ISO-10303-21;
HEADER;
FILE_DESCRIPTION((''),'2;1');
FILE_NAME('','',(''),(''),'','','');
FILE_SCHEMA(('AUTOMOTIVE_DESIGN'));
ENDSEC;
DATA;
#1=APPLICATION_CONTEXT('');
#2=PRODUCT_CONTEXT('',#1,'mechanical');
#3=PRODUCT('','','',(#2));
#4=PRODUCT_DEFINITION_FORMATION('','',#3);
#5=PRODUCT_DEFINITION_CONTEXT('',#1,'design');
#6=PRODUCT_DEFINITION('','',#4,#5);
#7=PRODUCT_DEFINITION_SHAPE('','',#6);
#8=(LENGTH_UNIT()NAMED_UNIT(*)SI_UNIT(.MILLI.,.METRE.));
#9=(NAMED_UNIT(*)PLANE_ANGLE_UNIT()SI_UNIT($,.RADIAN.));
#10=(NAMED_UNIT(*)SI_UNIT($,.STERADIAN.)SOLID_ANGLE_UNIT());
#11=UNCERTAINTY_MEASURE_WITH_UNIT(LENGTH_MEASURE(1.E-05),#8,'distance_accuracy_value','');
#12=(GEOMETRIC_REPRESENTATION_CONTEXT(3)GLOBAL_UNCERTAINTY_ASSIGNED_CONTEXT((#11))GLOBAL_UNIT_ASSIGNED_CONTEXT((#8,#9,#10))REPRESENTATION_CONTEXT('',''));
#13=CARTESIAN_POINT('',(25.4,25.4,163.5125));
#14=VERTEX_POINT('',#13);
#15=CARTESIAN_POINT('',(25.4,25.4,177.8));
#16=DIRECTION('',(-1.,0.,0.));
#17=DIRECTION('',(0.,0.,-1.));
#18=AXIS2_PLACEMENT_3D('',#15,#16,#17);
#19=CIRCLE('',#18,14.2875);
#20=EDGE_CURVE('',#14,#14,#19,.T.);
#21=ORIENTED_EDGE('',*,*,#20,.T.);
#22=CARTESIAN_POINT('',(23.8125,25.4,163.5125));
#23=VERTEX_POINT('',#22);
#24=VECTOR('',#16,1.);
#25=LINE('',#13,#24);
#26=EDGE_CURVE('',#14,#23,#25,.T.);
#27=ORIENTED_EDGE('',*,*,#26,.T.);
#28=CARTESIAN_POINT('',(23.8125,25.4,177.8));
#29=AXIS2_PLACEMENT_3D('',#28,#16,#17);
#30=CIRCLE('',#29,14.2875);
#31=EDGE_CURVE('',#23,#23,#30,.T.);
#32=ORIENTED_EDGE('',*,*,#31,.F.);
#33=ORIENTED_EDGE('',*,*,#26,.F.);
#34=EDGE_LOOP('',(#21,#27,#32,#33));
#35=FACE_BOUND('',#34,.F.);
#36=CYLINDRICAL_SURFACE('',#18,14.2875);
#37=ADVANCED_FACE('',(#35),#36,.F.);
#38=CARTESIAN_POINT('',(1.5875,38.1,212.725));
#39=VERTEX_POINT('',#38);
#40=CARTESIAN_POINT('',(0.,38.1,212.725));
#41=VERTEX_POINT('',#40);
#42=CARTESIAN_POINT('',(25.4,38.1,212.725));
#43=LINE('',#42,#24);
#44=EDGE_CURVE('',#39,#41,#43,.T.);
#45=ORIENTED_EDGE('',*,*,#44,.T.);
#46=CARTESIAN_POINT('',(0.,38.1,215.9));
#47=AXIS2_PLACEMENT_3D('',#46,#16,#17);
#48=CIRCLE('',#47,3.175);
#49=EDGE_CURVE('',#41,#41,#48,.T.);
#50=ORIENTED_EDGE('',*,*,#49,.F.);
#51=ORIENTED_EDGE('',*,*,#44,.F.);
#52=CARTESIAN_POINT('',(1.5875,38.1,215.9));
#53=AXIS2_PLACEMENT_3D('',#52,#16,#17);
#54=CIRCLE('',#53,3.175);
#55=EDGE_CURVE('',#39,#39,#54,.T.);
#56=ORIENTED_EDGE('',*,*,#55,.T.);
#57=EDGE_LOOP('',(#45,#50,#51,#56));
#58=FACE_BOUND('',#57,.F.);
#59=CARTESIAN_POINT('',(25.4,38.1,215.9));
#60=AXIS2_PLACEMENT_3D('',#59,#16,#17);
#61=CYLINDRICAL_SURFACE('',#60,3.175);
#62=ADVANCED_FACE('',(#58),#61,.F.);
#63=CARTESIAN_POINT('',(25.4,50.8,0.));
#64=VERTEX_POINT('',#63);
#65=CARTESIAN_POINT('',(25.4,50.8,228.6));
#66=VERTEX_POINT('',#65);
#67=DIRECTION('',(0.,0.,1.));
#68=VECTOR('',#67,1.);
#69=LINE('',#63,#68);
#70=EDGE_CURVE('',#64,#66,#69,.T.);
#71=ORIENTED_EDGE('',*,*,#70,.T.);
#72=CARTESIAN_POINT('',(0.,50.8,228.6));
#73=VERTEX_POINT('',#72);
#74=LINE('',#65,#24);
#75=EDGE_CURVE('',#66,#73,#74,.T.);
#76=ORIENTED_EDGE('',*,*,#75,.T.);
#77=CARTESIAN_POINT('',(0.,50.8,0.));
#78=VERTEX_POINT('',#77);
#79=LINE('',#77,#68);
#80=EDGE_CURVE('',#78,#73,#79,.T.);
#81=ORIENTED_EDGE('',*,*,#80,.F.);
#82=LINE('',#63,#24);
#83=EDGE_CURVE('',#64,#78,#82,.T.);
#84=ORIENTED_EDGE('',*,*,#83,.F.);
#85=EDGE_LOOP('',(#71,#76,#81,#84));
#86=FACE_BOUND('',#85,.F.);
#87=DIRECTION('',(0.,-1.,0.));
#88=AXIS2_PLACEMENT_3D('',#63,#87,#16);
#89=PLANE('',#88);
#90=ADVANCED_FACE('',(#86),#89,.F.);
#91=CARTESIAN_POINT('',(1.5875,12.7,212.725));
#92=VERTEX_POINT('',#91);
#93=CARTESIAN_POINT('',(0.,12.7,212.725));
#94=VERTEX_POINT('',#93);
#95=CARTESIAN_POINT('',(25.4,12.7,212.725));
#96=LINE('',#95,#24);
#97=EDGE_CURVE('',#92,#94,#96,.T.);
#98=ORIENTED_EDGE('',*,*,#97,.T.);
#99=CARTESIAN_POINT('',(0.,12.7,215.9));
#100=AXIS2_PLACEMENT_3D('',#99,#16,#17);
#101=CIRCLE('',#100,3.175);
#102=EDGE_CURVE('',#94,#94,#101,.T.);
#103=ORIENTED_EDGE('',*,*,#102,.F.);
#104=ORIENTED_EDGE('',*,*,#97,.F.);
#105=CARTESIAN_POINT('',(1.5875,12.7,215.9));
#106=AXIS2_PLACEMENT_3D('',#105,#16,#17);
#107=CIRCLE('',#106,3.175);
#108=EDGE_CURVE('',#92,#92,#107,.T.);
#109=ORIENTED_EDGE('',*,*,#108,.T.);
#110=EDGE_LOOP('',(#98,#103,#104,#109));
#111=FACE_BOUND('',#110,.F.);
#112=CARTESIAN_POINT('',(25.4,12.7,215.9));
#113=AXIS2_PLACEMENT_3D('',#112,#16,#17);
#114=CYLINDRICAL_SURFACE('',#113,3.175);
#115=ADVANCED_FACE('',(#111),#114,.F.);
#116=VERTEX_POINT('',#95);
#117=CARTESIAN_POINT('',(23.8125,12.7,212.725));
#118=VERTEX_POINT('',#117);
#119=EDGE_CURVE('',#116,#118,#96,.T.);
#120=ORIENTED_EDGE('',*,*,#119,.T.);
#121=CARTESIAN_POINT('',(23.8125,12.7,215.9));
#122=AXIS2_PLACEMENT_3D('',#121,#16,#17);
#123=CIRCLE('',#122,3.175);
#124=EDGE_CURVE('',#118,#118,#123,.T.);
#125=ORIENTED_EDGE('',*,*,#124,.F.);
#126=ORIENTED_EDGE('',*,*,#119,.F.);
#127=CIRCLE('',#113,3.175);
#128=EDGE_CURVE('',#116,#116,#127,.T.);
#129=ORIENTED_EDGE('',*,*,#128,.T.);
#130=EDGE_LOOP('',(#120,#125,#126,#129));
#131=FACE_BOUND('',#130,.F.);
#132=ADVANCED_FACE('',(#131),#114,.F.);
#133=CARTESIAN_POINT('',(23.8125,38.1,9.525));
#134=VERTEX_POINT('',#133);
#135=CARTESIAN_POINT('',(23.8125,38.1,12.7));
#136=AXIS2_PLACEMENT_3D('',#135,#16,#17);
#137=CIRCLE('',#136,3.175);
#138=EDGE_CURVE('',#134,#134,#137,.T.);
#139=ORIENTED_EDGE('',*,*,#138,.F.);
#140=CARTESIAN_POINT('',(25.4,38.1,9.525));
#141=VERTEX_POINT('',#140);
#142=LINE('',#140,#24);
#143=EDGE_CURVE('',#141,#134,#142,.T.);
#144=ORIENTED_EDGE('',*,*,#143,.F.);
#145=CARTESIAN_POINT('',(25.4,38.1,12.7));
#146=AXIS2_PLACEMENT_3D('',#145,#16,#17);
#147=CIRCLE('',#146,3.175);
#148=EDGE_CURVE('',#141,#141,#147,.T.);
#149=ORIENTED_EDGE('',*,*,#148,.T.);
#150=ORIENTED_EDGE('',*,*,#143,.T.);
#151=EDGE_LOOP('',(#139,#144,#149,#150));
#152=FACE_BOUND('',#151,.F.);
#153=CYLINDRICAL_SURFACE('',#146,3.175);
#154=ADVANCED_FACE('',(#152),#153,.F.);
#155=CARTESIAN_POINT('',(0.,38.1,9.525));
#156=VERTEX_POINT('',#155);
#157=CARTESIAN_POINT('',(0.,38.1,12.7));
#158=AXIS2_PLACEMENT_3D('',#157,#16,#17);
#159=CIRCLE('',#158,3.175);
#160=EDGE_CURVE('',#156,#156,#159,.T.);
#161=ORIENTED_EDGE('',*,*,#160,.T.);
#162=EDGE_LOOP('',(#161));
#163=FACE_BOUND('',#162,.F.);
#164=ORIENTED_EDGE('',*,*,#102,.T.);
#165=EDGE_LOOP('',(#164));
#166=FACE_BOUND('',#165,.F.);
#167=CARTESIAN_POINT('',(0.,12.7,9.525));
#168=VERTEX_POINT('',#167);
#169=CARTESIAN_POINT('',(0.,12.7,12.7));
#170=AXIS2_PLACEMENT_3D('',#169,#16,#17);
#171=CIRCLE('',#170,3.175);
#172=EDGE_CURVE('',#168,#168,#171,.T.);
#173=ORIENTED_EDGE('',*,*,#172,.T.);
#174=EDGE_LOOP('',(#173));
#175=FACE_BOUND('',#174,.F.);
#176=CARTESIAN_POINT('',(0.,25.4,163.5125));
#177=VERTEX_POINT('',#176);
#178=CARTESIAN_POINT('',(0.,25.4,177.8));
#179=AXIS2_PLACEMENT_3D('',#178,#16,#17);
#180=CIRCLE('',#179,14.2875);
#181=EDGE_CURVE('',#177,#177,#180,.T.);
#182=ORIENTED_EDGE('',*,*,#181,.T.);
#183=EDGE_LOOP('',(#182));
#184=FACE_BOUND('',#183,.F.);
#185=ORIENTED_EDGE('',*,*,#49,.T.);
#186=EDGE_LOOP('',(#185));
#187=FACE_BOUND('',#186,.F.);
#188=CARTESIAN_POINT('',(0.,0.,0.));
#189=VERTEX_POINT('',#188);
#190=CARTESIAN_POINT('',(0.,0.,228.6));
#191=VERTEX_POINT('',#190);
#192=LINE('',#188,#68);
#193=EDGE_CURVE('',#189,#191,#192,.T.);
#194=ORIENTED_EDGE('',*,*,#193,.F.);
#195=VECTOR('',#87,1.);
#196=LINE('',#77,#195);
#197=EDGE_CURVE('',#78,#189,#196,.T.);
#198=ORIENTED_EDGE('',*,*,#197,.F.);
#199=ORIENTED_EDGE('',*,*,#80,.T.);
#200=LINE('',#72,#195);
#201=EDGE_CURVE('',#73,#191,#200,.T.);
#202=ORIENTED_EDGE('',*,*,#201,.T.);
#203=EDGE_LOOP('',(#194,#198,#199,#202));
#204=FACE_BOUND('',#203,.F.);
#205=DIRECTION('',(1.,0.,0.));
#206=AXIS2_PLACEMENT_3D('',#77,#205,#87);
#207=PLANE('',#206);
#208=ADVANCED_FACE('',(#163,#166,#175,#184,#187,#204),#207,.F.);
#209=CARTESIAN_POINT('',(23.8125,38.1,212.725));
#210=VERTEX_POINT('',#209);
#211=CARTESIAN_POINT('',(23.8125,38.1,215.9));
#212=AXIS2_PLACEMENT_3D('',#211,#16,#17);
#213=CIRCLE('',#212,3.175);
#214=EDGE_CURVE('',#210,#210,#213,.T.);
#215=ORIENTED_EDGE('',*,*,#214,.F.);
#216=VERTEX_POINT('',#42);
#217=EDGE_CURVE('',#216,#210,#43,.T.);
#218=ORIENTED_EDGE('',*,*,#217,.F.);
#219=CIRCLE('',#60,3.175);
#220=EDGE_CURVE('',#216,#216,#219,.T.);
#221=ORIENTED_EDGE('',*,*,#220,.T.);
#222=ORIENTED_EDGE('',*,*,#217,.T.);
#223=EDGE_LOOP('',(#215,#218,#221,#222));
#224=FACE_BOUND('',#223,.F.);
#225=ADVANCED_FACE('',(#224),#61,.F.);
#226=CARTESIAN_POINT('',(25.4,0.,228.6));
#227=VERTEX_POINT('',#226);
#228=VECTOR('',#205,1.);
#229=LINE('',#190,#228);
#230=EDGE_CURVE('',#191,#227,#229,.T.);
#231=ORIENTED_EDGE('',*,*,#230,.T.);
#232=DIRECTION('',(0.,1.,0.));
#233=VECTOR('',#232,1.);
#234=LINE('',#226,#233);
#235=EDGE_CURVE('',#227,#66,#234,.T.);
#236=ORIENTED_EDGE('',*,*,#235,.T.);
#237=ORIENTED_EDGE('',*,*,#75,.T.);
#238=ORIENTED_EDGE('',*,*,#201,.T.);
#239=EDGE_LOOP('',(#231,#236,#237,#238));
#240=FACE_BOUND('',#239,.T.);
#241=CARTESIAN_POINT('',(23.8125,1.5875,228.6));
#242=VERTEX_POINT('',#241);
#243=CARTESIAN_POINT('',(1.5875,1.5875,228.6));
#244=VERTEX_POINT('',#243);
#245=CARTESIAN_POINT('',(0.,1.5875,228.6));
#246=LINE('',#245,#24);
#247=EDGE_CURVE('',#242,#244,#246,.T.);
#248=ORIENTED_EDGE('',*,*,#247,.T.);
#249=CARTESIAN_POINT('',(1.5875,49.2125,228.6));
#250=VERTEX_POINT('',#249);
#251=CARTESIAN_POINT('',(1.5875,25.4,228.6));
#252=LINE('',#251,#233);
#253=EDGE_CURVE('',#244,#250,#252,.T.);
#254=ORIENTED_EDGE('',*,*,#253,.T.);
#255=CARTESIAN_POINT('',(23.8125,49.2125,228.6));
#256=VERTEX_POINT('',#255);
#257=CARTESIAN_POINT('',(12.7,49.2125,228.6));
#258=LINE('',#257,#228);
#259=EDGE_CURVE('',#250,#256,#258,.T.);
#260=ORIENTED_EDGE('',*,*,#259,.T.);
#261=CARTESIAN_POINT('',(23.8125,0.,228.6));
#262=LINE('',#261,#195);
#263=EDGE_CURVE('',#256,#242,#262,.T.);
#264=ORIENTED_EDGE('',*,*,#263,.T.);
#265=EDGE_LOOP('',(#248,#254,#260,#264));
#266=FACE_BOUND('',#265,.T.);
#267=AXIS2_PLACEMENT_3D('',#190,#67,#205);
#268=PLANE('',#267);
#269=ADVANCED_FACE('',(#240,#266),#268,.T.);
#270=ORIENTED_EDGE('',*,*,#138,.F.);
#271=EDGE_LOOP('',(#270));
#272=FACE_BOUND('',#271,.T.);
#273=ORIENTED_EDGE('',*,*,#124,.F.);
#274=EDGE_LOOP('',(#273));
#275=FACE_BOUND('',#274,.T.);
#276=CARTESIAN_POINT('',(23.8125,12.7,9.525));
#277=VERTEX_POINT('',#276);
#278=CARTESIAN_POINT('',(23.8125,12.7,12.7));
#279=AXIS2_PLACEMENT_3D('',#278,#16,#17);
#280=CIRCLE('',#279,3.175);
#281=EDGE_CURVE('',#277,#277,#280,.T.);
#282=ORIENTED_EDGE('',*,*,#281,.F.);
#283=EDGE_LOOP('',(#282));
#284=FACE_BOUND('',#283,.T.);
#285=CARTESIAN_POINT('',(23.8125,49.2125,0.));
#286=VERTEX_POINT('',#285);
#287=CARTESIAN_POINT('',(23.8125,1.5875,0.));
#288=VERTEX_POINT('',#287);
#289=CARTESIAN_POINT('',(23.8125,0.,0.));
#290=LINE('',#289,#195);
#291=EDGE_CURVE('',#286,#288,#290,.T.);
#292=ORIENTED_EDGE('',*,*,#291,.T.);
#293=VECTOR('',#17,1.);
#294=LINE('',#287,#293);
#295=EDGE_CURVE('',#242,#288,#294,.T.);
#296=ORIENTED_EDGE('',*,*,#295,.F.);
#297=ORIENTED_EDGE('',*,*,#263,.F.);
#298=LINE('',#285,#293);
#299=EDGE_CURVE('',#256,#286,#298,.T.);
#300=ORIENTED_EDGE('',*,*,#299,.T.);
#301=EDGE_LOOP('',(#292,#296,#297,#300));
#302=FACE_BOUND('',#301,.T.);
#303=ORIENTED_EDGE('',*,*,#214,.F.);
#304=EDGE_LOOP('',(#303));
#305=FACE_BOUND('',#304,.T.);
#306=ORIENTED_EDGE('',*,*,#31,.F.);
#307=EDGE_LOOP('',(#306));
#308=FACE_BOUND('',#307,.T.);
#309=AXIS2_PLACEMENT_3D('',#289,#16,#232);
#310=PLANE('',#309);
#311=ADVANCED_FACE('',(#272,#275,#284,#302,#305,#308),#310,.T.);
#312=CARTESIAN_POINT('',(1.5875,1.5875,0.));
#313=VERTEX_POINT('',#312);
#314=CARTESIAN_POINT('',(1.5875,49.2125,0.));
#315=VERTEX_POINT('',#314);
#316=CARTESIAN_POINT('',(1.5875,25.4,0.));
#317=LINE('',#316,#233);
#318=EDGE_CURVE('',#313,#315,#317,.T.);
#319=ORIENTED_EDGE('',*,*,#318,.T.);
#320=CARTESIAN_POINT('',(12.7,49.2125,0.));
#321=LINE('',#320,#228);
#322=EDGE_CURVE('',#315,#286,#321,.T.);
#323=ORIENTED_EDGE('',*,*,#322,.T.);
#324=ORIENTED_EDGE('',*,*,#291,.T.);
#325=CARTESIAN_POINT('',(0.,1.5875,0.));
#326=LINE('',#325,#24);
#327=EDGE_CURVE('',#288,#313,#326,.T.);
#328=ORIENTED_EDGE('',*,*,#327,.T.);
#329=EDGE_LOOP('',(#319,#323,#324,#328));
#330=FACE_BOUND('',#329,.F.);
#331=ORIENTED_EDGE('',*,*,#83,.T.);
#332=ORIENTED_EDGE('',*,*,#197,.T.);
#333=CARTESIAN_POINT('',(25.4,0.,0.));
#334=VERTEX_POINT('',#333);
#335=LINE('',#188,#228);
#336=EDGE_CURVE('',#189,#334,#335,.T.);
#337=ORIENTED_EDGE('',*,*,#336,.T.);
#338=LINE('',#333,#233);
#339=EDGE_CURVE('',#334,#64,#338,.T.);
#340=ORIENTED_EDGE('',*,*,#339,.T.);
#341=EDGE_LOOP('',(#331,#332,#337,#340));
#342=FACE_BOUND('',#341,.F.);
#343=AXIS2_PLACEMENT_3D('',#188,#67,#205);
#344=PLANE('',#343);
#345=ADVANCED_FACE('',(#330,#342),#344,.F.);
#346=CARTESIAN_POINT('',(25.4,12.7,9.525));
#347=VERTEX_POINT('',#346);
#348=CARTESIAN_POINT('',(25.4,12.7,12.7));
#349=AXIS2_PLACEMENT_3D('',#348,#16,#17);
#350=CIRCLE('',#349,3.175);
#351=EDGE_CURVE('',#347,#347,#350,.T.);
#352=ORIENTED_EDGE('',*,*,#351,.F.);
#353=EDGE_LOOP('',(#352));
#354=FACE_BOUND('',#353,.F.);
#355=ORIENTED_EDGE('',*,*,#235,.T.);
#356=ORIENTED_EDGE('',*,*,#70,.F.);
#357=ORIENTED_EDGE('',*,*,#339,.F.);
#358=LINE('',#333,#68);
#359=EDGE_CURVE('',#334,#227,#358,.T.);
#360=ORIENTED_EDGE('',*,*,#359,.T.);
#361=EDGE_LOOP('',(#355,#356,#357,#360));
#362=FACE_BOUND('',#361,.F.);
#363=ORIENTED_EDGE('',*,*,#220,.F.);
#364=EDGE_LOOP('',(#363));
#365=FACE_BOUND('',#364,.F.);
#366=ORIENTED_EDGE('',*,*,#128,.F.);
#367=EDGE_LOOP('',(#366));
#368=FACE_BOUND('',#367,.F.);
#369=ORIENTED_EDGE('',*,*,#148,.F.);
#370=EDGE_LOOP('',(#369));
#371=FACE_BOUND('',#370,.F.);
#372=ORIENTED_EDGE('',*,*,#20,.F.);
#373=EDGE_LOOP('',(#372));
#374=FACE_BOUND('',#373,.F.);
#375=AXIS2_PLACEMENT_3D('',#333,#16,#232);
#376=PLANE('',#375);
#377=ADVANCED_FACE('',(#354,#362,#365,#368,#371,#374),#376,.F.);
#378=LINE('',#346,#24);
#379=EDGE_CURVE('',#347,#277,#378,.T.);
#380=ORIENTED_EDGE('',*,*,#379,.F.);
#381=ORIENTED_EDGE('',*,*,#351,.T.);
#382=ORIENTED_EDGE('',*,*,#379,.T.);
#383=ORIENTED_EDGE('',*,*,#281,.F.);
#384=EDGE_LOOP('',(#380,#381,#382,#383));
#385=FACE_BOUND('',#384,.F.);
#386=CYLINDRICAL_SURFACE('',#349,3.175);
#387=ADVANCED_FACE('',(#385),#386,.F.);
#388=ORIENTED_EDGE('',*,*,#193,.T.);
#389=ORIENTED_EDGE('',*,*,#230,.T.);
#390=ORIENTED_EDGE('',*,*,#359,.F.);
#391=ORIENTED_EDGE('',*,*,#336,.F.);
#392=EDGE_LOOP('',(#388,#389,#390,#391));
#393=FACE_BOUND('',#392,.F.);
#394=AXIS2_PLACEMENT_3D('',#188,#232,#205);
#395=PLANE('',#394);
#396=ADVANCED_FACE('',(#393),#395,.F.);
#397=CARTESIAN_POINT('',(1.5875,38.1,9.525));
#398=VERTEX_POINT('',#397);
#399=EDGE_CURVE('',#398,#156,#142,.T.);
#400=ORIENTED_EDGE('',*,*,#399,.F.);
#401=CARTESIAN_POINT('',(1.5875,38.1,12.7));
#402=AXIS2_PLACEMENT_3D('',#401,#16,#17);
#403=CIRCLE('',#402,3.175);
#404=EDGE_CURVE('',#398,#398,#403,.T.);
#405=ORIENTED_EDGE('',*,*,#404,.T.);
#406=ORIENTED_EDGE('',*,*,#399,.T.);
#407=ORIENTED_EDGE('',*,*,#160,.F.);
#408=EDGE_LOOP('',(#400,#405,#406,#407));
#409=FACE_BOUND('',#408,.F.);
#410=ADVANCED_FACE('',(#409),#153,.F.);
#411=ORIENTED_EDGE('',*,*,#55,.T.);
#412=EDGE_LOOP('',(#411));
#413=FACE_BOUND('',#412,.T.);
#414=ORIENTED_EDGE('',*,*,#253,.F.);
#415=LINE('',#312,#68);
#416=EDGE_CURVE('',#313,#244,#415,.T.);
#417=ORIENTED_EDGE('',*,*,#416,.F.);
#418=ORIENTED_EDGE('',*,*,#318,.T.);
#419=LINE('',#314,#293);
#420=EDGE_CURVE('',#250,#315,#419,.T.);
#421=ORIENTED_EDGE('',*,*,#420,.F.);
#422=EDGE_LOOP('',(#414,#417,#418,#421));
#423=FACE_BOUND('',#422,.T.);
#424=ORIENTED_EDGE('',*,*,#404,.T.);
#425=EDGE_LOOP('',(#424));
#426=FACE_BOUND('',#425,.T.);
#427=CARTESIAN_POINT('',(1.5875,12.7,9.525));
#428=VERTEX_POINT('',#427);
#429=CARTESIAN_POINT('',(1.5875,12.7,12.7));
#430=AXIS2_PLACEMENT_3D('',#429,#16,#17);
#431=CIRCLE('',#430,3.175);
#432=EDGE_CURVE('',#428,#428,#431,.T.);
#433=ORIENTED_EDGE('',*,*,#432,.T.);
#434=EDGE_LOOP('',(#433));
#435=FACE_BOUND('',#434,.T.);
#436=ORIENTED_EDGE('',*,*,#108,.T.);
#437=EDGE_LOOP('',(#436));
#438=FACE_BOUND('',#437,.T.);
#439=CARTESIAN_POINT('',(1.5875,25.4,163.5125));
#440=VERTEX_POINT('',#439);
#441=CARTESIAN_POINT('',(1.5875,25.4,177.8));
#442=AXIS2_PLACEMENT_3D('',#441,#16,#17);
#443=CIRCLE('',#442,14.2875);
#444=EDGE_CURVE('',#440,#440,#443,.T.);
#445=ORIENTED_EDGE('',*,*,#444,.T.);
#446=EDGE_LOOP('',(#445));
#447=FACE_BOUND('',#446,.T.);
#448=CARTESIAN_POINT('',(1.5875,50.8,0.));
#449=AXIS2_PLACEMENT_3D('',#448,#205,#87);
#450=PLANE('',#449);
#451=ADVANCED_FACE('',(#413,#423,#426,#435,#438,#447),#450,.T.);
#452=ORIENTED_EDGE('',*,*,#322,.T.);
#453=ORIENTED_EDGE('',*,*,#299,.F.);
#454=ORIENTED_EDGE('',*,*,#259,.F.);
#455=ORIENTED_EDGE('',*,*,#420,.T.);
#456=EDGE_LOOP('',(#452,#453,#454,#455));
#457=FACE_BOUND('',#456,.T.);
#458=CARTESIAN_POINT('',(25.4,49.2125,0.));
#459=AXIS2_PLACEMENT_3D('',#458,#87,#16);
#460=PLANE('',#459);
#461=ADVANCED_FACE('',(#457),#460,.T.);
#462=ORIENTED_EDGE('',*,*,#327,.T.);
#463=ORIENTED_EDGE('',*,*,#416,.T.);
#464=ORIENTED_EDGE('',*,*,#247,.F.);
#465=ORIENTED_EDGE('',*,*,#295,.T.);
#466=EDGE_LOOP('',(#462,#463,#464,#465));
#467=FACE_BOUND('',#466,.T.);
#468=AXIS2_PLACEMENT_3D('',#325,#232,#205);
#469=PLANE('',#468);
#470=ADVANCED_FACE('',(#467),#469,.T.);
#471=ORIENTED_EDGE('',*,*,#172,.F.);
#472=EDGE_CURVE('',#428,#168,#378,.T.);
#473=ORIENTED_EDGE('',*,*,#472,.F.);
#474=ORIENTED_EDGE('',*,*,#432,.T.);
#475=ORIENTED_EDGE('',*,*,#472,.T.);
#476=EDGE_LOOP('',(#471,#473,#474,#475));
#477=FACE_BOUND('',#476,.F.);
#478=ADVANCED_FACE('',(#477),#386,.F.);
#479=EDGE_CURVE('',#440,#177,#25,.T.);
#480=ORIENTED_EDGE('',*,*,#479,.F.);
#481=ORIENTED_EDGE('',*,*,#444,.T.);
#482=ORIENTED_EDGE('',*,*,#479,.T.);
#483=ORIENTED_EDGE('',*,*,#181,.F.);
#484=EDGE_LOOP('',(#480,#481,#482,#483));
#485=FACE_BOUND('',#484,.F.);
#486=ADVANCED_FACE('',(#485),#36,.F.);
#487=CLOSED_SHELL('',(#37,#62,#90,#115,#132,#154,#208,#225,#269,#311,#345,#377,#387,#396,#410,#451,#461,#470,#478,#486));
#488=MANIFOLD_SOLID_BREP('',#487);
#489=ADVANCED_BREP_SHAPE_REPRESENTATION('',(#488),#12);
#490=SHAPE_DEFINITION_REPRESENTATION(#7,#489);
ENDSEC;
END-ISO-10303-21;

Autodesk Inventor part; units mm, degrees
ref_plane "YZ Plane" through (0, 0, 0) normal (1, 0, 0) x (0, 1, 0)
ref_plane "XZ Plane" through (0, 0, 0) normal (0, 1, 0) x (-1, 0, 0)
ref_plane "XY Plane" through (0, 0, 0) normal (0, 0, 1) x (1, 0, 0)
sketch "Sketch1" plane through (0, 0, 0) normal (0, 0, 1) x (1, 0, 0)
  line L0 (0, 0) -> (25.4, 0)
  line L1 (25.4, 0) -> (25.4, 50.8)
  line L2 (25.4, 50.8) -> (0, 50.8)
  line L3 (0, 50.8) -> (0, 0)
  dimension "d0" = 25.4
  dimension "d1" = 50.8
extrude "Extrusion1" add sketch "Sketch1" along normal blind 228.6
shell "Shell1" thickness 1.5875 removed faces 2 at (8.4667, 16.9333, 0) at (8.4667, 16.9333, 228.6)
hole "Hole3" at (25.4, 38.1, 12.7) direction (-1, 0, 0) diameter 6.35 end through all
hole "Hole4" at (25.4, 12.7, 12.7) direction (-1, 0, 0) diameter 6.35 end through all
hole "Hole5" at (25.4, 25.4, 177.8) direction (-1, 0, 0) diameter 28.575 end through all
hole "Hole7" at (25.4, 38.1, 215.9) direction (-1, 0, 0) diameter 6.35 end through all
hole "Hole8" at (25.4, 12.7, 215.9) direction (-1, 0, 0) diameter 6.35 end through all
properties part number "Roller Wheel Right Side Support Beam"
